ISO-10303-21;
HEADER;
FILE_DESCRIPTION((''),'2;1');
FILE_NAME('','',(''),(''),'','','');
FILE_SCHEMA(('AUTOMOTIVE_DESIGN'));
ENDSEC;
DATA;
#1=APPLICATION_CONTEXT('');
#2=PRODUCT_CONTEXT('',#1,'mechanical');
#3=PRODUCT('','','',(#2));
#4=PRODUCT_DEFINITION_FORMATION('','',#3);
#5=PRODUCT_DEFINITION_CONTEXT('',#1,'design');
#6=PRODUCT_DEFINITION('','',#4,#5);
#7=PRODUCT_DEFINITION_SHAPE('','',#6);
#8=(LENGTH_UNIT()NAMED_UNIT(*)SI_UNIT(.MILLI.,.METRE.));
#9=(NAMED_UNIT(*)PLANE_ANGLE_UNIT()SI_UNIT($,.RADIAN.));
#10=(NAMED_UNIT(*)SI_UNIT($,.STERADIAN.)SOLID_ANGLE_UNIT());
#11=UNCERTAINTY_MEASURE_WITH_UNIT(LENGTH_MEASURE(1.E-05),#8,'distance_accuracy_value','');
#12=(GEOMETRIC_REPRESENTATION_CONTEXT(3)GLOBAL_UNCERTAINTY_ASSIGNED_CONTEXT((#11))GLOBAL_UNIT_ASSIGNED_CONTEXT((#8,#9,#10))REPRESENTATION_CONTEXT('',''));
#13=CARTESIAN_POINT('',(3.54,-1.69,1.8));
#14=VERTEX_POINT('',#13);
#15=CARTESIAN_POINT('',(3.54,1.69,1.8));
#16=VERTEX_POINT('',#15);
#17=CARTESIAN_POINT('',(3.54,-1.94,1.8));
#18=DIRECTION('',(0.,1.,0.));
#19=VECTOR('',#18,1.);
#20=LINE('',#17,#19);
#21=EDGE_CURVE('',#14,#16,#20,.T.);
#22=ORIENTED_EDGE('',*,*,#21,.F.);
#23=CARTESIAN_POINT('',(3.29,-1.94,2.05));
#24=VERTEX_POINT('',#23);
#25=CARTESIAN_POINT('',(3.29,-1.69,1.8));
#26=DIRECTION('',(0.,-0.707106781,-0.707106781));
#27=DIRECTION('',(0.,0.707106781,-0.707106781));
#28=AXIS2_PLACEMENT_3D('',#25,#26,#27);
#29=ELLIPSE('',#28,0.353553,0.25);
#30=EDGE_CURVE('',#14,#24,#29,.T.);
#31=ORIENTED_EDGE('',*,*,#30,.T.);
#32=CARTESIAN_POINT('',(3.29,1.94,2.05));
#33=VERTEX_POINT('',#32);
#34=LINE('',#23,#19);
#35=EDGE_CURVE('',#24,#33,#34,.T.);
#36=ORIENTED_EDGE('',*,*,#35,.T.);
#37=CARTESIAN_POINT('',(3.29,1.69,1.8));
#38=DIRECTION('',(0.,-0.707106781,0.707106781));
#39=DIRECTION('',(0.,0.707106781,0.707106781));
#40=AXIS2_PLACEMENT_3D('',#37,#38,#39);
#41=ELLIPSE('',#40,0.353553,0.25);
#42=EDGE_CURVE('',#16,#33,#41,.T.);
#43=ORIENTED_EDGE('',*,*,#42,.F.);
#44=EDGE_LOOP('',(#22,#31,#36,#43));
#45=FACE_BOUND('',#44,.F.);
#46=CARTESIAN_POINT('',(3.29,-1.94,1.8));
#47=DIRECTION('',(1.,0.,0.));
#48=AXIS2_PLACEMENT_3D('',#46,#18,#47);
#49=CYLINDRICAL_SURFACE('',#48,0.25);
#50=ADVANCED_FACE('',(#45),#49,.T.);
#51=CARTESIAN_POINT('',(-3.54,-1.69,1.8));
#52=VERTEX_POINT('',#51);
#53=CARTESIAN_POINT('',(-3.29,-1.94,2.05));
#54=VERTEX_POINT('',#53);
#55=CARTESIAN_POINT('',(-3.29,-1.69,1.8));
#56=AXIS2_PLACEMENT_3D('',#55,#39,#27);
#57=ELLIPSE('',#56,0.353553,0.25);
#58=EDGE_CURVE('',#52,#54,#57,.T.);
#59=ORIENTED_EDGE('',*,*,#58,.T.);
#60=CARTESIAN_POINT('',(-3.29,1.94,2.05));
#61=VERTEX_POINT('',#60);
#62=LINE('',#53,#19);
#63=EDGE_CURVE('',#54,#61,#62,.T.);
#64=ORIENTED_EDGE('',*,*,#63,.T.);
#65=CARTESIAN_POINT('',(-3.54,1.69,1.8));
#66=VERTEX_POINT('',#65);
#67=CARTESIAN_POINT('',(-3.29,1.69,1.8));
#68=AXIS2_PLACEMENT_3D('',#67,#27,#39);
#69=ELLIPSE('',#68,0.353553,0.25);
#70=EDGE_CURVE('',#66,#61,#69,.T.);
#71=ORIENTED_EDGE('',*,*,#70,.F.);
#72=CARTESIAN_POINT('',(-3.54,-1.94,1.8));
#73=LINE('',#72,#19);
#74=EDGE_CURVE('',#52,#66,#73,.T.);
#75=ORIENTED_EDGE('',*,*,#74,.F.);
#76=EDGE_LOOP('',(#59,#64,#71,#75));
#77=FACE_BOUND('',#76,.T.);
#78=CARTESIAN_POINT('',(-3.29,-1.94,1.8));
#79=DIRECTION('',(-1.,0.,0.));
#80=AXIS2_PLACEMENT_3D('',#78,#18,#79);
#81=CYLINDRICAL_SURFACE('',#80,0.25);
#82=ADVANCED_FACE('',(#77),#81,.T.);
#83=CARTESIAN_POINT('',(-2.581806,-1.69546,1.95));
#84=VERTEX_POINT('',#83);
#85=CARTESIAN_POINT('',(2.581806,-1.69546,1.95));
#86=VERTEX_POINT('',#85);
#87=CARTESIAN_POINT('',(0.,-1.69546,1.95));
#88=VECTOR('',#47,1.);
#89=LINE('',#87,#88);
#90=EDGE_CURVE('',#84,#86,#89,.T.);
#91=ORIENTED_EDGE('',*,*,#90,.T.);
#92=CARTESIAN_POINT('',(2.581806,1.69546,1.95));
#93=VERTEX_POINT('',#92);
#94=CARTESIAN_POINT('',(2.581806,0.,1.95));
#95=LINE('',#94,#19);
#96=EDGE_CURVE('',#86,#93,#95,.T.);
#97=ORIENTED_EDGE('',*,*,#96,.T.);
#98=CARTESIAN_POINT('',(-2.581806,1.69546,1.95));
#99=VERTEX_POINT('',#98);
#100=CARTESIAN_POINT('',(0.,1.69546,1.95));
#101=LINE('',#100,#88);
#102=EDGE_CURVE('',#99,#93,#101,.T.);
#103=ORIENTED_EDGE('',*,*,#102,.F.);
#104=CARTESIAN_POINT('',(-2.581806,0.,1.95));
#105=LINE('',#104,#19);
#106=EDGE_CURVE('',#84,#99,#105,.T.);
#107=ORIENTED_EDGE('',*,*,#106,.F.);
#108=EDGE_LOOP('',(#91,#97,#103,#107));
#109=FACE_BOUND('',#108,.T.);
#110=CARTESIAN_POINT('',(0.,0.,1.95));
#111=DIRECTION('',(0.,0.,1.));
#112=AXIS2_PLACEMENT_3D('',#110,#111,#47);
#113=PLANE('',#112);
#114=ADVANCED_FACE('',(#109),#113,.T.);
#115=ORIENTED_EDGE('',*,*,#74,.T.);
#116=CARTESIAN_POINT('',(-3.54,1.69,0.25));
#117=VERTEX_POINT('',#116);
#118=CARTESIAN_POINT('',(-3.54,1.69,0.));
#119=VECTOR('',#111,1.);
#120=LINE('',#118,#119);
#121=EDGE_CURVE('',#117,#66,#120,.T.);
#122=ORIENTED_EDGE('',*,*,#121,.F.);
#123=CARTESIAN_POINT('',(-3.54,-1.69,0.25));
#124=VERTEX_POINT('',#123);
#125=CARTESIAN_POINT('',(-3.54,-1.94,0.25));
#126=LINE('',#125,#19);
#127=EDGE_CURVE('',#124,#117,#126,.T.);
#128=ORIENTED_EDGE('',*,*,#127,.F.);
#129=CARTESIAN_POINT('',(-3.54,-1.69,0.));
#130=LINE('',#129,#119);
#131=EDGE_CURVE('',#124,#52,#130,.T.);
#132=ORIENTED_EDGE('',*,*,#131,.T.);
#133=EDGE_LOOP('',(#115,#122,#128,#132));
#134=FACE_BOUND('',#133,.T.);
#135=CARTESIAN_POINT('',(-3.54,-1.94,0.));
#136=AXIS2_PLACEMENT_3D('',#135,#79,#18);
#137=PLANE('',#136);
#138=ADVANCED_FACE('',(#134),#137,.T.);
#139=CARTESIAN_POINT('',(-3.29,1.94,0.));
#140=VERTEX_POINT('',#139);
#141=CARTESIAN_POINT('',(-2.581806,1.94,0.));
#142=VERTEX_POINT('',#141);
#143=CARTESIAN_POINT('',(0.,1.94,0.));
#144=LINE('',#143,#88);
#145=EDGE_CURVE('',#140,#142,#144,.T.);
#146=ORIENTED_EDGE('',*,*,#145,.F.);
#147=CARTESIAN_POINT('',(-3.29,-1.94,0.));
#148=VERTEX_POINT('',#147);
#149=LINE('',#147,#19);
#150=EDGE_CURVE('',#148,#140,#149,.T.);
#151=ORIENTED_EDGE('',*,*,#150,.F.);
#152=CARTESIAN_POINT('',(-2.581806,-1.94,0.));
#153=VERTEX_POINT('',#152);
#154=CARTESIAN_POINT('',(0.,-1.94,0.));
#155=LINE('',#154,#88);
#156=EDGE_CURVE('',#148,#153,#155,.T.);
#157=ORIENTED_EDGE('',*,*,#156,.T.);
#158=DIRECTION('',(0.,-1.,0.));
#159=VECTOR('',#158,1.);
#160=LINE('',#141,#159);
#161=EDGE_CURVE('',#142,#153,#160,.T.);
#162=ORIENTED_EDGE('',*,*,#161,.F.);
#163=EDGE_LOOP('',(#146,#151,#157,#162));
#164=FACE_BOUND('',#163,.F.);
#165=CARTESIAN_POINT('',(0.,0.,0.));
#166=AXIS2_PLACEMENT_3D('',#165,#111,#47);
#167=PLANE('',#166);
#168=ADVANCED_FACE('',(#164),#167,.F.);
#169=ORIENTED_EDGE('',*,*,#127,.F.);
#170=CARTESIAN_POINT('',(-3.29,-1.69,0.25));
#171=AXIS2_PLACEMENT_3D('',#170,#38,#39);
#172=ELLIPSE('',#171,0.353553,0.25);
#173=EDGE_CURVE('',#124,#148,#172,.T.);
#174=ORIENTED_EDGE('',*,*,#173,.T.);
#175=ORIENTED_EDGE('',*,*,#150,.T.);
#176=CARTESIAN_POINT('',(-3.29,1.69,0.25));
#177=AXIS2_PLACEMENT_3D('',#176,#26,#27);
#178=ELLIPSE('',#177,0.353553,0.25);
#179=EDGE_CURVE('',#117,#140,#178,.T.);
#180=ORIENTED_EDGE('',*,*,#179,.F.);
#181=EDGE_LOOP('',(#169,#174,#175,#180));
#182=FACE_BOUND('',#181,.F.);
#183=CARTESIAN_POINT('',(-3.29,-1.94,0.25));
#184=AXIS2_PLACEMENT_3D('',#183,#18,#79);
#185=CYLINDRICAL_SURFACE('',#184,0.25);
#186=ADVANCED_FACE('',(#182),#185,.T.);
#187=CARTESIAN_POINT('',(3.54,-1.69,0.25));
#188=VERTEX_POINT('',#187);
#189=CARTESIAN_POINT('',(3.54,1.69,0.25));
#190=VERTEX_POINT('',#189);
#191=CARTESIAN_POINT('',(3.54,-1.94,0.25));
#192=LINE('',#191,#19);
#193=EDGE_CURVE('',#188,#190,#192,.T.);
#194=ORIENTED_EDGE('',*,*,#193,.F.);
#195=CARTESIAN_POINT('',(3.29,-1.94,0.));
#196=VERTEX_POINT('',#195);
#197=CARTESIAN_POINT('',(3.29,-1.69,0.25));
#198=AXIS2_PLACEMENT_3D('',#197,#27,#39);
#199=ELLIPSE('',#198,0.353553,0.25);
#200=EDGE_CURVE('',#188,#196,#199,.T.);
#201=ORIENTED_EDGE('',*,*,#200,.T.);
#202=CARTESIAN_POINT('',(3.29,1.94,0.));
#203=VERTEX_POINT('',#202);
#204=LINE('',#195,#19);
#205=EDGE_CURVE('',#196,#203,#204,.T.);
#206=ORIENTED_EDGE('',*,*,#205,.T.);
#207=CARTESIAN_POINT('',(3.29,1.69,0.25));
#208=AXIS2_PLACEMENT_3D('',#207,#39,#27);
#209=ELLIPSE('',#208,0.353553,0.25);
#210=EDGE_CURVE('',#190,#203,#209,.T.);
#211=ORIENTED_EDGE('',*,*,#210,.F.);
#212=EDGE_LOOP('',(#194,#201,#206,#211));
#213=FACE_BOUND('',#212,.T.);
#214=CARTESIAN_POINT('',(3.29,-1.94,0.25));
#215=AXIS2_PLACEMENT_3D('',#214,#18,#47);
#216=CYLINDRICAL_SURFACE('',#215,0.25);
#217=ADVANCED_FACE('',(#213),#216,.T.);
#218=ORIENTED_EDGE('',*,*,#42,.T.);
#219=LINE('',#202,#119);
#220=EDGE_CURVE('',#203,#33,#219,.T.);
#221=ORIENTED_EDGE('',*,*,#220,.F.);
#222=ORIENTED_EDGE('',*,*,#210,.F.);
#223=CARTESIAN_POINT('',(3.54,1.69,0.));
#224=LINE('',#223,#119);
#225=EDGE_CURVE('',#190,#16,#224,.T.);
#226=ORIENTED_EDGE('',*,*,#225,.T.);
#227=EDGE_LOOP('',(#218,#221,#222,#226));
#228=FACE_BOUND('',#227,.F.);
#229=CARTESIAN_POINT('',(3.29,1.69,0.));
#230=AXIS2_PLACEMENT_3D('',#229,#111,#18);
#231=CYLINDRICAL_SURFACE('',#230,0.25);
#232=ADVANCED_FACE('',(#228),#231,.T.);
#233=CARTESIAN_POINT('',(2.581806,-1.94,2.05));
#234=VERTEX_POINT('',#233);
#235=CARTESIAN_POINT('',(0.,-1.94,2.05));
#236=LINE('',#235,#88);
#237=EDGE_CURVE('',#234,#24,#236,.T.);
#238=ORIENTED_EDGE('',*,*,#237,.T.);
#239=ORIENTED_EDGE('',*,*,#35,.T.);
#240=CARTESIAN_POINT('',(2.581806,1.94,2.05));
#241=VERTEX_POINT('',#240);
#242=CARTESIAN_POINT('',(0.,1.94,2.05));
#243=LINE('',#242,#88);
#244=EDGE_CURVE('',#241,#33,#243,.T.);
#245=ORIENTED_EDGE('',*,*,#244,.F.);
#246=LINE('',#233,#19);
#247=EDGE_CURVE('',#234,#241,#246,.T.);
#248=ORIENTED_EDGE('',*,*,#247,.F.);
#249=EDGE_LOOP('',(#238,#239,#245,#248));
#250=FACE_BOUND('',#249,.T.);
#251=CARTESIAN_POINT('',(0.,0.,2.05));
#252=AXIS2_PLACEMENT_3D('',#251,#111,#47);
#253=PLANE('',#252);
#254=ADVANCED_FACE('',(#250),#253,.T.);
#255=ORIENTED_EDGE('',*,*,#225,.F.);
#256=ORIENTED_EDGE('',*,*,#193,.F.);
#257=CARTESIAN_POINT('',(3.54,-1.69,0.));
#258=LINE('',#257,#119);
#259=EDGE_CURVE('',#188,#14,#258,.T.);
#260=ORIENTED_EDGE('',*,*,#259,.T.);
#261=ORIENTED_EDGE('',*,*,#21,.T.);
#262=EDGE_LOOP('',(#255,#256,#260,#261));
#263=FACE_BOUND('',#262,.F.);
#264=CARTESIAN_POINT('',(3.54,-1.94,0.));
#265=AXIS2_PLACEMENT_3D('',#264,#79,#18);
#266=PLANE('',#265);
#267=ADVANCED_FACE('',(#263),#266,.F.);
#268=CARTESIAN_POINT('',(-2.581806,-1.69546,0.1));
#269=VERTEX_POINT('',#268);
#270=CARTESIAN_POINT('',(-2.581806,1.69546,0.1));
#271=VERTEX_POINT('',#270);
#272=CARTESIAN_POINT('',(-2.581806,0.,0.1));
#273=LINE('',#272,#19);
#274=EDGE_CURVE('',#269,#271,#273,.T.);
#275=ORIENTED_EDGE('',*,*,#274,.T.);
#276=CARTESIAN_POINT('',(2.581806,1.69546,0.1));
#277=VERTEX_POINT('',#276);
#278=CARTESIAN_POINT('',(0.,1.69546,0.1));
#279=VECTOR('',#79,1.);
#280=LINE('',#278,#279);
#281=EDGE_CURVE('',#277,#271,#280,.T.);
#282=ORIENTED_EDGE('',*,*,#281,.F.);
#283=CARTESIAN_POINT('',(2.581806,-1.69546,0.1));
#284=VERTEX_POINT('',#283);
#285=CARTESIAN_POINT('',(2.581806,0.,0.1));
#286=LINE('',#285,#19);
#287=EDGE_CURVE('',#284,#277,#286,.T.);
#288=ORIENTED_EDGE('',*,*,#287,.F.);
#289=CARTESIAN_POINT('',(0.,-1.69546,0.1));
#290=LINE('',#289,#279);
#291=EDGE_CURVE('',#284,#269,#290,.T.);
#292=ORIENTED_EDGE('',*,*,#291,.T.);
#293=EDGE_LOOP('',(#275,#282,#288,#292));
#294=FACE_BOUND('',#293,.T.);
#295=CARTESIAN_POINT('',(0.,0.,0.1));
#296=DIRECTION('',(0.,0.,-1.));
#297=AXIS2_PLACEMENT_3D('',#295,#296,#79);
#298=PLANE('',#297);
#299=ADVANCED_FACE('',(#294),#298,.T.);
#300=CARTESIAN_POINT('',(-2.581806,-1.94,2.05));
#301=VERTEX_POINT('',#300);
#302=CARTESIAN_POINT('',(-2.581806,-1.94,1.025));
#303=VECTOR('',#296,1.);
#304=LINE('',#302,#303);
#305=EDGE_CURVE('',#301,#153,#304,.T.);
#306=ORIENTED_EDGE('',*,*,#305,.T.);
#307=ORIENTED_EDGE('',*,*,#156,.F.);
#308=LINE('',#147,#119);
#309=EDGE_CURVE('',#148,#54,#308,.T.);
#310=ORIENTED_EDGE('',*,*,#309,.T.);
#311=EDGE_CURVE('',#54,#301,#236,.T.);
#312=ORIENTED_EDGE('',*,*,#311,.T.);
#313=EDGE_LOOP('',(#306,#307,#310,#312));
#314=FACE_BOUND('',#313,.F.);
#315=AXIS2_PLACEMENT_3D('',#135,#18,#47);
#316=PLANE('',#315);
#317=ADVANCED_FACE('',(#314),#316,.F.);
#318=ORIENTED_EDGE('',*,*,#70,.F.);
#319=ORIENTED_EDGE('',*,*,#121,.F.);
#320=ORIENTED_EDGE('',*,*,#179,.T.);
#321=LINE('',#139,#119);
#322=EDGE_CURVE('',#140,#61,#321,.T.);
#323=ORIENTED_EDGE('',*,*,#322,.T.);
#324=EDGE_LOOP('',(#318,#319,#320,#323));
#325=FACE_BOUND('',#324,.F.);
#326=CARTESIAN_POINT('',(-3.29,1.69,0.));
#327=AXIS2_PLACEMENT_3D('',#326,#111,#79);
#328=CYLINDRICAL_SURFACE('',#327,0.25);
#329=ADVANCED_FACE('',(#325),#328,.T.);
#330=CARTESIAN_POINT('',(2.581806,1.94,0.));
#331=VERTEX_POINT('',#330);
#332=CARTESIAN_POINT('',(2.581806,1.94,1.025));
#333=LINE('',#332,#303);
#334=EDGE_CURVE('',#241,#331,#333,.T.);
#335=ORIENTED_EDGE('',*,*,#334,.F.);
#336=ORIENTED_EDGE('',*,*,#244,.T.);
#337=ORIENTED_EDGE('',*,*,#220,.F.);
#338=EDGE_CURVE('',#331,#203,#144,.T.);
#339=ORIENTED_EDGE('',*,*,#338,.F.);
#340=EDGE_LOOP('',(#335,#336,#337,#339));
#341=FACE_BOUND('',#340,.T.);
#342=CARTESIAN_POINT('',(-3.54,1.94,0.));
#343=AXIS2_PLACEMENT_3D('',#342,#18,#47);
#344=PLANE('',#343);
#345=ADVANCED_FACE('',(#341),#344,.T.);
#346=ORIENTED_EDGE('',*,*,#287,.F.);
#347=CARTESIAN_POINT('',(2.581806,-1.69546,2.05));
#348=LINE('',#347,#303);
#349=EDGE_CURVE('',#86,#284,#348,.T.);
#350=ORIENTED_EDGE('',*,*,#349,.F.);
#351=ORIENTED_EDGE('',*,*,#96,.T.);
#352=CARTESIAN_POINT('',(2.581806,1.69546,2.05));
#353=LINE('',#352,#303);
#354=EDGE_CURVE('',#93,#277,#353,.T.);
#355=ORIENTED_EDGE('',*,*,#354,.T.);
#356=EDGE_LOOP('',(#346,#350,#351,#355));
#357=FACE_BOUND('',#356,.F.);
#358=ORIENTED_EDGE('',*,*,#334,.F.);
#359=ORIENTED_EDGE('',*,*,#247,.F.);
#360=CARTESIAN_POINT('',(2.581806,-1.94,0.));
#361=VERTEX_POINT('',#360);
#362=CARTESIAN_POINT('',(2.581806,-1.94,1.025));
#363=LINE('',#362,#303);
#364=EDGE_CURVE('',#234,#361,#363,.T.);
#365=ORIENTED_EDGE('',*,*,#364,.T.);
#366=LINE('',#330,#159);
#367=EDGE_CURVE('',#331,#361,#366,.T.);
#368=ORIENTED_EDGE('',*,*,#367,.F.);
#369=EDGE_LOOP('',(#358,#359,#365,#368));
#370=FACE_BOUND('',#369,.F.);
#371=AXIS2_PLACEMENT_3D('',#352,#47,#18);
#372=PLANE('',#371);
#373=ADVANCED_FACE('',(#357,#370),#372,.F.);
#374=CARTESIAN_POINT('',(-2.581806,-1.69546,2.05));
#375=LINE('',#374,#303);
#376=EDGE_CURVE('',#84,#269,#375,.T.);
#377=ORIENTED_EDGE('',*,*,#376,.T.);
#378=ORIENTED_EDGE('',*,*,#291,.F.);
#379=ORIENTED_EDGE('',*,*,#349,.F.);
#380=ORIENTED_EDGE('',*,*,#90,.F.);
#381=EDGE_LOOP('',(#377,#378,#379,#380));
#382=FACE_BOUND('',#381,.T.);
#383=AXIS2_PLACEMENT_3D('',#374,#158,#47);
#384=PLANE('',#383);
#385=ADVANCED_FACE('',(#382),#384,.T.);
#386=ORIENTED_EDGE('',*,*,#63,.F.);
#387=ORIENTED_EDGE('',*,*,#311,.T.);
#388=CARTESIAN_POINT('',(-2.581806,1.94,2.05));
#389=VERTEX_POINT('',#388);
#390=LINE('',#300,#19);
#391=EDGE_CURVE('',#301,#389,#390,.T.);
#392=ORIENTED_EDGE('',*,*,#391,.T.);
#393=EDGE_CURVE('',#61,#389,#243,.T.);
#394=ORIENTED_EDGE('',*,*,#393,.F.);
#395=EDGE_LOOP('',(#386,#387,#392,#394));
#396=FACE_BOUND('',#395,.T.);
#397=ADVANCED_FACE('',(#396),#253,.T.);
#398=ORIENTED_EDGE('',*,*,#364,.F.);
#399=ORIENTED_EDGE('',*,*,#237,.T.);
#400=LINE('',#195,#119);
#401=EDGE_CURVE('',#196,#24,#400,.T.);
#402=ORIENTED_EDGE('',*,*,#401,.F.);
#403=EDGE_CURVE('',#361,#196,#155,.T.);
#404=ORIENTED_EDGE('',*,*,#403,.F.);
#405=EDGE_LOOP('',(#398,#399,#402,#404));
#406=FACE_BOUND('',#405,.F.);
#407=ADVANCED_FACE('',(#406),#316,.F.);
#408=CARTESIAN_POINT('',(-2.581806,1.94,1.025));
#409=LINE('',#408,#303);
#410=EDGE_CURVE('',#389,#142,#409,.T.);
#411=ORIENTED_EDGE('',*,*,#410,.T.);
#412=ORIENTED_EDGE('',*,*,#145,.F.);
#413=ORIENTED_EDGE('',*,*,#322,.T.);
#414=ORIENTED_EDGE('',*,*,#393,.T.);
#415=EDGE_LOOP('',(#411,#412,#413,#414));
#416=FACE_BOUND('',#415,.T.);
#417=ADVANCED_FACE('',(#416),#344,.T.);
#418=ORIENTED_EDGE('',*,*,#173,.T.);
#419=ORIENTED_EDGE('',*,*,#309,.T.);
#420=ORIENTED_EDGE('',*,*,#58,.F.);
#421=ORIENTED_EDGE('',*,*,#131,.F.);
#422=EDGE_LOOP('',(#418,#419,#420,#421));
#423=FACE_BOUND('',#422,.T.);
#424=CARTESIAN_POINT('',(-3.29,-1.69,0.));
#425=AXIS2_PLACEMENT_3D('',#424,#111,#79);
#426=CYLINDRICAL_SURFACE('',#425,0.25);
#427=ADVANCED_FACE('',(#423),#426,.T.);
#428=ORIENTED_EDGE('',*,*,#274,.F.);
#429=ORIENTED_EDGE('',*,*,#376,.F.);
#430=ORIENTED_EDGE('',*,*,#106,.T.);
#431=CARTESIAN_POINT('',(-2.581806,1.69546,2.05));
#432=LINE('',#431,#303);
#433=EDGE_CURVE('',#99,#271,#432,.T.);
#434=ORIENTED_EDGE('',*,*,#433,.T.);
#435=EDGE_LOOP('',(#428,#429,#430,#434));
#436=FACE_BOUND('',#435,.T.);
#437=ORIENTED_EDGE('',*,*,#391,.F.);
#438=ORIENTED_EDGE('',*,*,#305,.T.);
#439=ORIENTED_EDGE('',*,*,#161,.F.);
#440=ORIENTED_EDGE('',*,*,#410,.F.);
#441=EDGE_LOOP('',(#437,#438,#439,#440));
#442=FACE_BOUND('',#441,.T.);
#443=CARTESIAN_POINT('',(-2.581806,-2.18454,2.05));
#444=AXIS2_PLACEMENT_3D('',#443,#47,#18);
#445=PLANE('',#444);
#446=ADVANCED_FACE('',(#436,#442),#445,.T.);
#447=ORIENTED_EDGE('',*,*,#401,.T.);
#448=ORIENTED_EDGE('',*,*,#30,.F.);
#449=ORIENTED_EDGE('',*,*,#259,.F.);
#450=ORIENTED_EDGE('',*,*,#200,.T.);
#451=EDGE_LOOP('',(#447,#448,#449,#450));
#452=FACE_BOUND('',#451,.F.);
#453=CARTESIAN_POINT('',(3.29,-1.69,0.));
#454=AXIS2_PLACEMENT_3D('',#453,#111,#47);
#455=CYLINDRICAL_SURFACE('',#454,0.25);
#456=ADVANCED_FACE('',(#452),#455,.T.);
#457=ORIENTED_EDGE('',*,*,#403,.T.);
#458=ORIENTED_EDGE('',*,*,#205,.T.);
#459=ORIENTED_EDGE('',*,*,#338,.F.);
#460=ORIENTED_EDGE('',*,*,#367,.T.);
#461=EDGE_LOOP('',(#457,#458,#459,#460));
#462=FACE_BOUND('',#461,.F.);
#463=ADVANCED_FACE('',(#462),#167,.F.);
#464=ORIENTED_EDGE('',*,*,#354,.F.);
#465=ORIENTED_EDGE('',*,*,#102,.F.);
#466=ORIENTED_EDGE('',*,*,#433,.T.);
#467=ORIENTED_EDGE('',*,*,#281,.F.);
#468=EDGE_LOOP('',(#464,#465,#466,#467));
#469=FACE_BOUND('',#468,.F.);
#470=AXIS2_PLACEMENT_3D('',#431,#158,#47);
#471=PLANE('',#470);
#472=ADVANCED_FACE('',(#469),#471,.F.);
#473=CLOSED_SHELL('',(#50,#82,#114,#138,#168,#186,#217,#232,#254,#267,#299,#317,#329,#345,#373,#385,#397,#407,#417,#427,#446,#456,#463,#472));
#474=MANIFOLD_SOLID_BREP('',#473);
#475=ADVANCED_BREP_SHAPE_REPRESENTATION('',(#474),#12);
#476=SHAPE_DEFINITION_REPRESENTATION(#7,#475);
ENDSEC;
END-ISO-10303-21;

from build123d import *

# Parameters (mm, degrees)
ESQUISSE1_W             = 7.08
ESQUISSE1_H             = 3.88
BOSS_EXTRU_1_DEPTH      = 2.05
ESQUISSE3_W             = 5.163612044
ESQUISSE3_H             = 0.48908098
ENL_V_MAT_EXTRU_1_DEPTH = 2.05
ESQUISSE4_W             = 5.163612044
ESQUISSE4_H             = 3.39091902
ENL_V_MAT_EXTRU_2_DEPTH = 0.1
ESQUISSE5_W             = 5.163612044
ESQUISSE5_H             = 3.39091902
ENL_V_MAT_EXTRU_3_DEPTH = 0.1
CONG_1_R                = 0.25


with BuildPart() as part:
    # Esquisse1 → Boss.-Extru.1 (new body)
    with BuildSketch(Plane.XY):
        Rectangle(ESQUISSE1_W, ESQUISSE1_H)
    extrude(amount=BOSS_EXTRU_1_DEPTH)

    # Esquisse3 → Enlèv. mat.-Extru.1 (cut)
    with BuildSketch(Plane.XY.offset(2.05)):
        with Locations((0, 1.94)):
            Rectangle(ESQUISSE3_W, ESQUISSE3_H)
        with Locations((0, -1.94)):
            Rectangle(ESQUISSE3_W, ESQUISSE3_H)
    extrude(amount=-ENL_V_MAT_EXTRU_1_DEPTH, mode=Mode.SUBTRACT)

    # Esquisse4 → Enlèv. mat.-Extru.2 (cut)
    with BuildSketch(Plane.XY.offset(2.05)):
        Rectangle(ESQUISSE4_W, ESQUISSE4_H)
    extrude(amount=-ENL_V_MAT_EXTRU_2_DEPTH, mode=Mode.SUBTRACT)

    # Esquisse5 → Enlèv. mat.-Extru.3 (cut)
    with BuildSketch(Plane(origin=(0, 0, 0), x_dir=(-1, 0, 0), z_dir=(0, 0, -1))):
        Rectangle(ESQUISSE5_W, ESQUISSE5_H)
    extrude(amount=-ENL_V_MAT_EXTRU_3_DEPTH, mode=Mode.SUBTRACT)

    # Congé1
    cong_1_edges = [part.edges().sort_by_distance(p)[0] for p in [
        (-3.54, 0, 2.05),
        (3.54, 0, 2.05),
        (-3.54, 0, 0),
        (3.54, 0, 0),
        (3.54, -1.94, 1.025),
        (-3.54, -1.94, 1.025),
        (-3.54, 1.94, 1.025),
        (3.54, 1.94, 1.025),
    ]]
    fillet(cong_1_edges, radius=CONG_1_R)


solid = part.part
